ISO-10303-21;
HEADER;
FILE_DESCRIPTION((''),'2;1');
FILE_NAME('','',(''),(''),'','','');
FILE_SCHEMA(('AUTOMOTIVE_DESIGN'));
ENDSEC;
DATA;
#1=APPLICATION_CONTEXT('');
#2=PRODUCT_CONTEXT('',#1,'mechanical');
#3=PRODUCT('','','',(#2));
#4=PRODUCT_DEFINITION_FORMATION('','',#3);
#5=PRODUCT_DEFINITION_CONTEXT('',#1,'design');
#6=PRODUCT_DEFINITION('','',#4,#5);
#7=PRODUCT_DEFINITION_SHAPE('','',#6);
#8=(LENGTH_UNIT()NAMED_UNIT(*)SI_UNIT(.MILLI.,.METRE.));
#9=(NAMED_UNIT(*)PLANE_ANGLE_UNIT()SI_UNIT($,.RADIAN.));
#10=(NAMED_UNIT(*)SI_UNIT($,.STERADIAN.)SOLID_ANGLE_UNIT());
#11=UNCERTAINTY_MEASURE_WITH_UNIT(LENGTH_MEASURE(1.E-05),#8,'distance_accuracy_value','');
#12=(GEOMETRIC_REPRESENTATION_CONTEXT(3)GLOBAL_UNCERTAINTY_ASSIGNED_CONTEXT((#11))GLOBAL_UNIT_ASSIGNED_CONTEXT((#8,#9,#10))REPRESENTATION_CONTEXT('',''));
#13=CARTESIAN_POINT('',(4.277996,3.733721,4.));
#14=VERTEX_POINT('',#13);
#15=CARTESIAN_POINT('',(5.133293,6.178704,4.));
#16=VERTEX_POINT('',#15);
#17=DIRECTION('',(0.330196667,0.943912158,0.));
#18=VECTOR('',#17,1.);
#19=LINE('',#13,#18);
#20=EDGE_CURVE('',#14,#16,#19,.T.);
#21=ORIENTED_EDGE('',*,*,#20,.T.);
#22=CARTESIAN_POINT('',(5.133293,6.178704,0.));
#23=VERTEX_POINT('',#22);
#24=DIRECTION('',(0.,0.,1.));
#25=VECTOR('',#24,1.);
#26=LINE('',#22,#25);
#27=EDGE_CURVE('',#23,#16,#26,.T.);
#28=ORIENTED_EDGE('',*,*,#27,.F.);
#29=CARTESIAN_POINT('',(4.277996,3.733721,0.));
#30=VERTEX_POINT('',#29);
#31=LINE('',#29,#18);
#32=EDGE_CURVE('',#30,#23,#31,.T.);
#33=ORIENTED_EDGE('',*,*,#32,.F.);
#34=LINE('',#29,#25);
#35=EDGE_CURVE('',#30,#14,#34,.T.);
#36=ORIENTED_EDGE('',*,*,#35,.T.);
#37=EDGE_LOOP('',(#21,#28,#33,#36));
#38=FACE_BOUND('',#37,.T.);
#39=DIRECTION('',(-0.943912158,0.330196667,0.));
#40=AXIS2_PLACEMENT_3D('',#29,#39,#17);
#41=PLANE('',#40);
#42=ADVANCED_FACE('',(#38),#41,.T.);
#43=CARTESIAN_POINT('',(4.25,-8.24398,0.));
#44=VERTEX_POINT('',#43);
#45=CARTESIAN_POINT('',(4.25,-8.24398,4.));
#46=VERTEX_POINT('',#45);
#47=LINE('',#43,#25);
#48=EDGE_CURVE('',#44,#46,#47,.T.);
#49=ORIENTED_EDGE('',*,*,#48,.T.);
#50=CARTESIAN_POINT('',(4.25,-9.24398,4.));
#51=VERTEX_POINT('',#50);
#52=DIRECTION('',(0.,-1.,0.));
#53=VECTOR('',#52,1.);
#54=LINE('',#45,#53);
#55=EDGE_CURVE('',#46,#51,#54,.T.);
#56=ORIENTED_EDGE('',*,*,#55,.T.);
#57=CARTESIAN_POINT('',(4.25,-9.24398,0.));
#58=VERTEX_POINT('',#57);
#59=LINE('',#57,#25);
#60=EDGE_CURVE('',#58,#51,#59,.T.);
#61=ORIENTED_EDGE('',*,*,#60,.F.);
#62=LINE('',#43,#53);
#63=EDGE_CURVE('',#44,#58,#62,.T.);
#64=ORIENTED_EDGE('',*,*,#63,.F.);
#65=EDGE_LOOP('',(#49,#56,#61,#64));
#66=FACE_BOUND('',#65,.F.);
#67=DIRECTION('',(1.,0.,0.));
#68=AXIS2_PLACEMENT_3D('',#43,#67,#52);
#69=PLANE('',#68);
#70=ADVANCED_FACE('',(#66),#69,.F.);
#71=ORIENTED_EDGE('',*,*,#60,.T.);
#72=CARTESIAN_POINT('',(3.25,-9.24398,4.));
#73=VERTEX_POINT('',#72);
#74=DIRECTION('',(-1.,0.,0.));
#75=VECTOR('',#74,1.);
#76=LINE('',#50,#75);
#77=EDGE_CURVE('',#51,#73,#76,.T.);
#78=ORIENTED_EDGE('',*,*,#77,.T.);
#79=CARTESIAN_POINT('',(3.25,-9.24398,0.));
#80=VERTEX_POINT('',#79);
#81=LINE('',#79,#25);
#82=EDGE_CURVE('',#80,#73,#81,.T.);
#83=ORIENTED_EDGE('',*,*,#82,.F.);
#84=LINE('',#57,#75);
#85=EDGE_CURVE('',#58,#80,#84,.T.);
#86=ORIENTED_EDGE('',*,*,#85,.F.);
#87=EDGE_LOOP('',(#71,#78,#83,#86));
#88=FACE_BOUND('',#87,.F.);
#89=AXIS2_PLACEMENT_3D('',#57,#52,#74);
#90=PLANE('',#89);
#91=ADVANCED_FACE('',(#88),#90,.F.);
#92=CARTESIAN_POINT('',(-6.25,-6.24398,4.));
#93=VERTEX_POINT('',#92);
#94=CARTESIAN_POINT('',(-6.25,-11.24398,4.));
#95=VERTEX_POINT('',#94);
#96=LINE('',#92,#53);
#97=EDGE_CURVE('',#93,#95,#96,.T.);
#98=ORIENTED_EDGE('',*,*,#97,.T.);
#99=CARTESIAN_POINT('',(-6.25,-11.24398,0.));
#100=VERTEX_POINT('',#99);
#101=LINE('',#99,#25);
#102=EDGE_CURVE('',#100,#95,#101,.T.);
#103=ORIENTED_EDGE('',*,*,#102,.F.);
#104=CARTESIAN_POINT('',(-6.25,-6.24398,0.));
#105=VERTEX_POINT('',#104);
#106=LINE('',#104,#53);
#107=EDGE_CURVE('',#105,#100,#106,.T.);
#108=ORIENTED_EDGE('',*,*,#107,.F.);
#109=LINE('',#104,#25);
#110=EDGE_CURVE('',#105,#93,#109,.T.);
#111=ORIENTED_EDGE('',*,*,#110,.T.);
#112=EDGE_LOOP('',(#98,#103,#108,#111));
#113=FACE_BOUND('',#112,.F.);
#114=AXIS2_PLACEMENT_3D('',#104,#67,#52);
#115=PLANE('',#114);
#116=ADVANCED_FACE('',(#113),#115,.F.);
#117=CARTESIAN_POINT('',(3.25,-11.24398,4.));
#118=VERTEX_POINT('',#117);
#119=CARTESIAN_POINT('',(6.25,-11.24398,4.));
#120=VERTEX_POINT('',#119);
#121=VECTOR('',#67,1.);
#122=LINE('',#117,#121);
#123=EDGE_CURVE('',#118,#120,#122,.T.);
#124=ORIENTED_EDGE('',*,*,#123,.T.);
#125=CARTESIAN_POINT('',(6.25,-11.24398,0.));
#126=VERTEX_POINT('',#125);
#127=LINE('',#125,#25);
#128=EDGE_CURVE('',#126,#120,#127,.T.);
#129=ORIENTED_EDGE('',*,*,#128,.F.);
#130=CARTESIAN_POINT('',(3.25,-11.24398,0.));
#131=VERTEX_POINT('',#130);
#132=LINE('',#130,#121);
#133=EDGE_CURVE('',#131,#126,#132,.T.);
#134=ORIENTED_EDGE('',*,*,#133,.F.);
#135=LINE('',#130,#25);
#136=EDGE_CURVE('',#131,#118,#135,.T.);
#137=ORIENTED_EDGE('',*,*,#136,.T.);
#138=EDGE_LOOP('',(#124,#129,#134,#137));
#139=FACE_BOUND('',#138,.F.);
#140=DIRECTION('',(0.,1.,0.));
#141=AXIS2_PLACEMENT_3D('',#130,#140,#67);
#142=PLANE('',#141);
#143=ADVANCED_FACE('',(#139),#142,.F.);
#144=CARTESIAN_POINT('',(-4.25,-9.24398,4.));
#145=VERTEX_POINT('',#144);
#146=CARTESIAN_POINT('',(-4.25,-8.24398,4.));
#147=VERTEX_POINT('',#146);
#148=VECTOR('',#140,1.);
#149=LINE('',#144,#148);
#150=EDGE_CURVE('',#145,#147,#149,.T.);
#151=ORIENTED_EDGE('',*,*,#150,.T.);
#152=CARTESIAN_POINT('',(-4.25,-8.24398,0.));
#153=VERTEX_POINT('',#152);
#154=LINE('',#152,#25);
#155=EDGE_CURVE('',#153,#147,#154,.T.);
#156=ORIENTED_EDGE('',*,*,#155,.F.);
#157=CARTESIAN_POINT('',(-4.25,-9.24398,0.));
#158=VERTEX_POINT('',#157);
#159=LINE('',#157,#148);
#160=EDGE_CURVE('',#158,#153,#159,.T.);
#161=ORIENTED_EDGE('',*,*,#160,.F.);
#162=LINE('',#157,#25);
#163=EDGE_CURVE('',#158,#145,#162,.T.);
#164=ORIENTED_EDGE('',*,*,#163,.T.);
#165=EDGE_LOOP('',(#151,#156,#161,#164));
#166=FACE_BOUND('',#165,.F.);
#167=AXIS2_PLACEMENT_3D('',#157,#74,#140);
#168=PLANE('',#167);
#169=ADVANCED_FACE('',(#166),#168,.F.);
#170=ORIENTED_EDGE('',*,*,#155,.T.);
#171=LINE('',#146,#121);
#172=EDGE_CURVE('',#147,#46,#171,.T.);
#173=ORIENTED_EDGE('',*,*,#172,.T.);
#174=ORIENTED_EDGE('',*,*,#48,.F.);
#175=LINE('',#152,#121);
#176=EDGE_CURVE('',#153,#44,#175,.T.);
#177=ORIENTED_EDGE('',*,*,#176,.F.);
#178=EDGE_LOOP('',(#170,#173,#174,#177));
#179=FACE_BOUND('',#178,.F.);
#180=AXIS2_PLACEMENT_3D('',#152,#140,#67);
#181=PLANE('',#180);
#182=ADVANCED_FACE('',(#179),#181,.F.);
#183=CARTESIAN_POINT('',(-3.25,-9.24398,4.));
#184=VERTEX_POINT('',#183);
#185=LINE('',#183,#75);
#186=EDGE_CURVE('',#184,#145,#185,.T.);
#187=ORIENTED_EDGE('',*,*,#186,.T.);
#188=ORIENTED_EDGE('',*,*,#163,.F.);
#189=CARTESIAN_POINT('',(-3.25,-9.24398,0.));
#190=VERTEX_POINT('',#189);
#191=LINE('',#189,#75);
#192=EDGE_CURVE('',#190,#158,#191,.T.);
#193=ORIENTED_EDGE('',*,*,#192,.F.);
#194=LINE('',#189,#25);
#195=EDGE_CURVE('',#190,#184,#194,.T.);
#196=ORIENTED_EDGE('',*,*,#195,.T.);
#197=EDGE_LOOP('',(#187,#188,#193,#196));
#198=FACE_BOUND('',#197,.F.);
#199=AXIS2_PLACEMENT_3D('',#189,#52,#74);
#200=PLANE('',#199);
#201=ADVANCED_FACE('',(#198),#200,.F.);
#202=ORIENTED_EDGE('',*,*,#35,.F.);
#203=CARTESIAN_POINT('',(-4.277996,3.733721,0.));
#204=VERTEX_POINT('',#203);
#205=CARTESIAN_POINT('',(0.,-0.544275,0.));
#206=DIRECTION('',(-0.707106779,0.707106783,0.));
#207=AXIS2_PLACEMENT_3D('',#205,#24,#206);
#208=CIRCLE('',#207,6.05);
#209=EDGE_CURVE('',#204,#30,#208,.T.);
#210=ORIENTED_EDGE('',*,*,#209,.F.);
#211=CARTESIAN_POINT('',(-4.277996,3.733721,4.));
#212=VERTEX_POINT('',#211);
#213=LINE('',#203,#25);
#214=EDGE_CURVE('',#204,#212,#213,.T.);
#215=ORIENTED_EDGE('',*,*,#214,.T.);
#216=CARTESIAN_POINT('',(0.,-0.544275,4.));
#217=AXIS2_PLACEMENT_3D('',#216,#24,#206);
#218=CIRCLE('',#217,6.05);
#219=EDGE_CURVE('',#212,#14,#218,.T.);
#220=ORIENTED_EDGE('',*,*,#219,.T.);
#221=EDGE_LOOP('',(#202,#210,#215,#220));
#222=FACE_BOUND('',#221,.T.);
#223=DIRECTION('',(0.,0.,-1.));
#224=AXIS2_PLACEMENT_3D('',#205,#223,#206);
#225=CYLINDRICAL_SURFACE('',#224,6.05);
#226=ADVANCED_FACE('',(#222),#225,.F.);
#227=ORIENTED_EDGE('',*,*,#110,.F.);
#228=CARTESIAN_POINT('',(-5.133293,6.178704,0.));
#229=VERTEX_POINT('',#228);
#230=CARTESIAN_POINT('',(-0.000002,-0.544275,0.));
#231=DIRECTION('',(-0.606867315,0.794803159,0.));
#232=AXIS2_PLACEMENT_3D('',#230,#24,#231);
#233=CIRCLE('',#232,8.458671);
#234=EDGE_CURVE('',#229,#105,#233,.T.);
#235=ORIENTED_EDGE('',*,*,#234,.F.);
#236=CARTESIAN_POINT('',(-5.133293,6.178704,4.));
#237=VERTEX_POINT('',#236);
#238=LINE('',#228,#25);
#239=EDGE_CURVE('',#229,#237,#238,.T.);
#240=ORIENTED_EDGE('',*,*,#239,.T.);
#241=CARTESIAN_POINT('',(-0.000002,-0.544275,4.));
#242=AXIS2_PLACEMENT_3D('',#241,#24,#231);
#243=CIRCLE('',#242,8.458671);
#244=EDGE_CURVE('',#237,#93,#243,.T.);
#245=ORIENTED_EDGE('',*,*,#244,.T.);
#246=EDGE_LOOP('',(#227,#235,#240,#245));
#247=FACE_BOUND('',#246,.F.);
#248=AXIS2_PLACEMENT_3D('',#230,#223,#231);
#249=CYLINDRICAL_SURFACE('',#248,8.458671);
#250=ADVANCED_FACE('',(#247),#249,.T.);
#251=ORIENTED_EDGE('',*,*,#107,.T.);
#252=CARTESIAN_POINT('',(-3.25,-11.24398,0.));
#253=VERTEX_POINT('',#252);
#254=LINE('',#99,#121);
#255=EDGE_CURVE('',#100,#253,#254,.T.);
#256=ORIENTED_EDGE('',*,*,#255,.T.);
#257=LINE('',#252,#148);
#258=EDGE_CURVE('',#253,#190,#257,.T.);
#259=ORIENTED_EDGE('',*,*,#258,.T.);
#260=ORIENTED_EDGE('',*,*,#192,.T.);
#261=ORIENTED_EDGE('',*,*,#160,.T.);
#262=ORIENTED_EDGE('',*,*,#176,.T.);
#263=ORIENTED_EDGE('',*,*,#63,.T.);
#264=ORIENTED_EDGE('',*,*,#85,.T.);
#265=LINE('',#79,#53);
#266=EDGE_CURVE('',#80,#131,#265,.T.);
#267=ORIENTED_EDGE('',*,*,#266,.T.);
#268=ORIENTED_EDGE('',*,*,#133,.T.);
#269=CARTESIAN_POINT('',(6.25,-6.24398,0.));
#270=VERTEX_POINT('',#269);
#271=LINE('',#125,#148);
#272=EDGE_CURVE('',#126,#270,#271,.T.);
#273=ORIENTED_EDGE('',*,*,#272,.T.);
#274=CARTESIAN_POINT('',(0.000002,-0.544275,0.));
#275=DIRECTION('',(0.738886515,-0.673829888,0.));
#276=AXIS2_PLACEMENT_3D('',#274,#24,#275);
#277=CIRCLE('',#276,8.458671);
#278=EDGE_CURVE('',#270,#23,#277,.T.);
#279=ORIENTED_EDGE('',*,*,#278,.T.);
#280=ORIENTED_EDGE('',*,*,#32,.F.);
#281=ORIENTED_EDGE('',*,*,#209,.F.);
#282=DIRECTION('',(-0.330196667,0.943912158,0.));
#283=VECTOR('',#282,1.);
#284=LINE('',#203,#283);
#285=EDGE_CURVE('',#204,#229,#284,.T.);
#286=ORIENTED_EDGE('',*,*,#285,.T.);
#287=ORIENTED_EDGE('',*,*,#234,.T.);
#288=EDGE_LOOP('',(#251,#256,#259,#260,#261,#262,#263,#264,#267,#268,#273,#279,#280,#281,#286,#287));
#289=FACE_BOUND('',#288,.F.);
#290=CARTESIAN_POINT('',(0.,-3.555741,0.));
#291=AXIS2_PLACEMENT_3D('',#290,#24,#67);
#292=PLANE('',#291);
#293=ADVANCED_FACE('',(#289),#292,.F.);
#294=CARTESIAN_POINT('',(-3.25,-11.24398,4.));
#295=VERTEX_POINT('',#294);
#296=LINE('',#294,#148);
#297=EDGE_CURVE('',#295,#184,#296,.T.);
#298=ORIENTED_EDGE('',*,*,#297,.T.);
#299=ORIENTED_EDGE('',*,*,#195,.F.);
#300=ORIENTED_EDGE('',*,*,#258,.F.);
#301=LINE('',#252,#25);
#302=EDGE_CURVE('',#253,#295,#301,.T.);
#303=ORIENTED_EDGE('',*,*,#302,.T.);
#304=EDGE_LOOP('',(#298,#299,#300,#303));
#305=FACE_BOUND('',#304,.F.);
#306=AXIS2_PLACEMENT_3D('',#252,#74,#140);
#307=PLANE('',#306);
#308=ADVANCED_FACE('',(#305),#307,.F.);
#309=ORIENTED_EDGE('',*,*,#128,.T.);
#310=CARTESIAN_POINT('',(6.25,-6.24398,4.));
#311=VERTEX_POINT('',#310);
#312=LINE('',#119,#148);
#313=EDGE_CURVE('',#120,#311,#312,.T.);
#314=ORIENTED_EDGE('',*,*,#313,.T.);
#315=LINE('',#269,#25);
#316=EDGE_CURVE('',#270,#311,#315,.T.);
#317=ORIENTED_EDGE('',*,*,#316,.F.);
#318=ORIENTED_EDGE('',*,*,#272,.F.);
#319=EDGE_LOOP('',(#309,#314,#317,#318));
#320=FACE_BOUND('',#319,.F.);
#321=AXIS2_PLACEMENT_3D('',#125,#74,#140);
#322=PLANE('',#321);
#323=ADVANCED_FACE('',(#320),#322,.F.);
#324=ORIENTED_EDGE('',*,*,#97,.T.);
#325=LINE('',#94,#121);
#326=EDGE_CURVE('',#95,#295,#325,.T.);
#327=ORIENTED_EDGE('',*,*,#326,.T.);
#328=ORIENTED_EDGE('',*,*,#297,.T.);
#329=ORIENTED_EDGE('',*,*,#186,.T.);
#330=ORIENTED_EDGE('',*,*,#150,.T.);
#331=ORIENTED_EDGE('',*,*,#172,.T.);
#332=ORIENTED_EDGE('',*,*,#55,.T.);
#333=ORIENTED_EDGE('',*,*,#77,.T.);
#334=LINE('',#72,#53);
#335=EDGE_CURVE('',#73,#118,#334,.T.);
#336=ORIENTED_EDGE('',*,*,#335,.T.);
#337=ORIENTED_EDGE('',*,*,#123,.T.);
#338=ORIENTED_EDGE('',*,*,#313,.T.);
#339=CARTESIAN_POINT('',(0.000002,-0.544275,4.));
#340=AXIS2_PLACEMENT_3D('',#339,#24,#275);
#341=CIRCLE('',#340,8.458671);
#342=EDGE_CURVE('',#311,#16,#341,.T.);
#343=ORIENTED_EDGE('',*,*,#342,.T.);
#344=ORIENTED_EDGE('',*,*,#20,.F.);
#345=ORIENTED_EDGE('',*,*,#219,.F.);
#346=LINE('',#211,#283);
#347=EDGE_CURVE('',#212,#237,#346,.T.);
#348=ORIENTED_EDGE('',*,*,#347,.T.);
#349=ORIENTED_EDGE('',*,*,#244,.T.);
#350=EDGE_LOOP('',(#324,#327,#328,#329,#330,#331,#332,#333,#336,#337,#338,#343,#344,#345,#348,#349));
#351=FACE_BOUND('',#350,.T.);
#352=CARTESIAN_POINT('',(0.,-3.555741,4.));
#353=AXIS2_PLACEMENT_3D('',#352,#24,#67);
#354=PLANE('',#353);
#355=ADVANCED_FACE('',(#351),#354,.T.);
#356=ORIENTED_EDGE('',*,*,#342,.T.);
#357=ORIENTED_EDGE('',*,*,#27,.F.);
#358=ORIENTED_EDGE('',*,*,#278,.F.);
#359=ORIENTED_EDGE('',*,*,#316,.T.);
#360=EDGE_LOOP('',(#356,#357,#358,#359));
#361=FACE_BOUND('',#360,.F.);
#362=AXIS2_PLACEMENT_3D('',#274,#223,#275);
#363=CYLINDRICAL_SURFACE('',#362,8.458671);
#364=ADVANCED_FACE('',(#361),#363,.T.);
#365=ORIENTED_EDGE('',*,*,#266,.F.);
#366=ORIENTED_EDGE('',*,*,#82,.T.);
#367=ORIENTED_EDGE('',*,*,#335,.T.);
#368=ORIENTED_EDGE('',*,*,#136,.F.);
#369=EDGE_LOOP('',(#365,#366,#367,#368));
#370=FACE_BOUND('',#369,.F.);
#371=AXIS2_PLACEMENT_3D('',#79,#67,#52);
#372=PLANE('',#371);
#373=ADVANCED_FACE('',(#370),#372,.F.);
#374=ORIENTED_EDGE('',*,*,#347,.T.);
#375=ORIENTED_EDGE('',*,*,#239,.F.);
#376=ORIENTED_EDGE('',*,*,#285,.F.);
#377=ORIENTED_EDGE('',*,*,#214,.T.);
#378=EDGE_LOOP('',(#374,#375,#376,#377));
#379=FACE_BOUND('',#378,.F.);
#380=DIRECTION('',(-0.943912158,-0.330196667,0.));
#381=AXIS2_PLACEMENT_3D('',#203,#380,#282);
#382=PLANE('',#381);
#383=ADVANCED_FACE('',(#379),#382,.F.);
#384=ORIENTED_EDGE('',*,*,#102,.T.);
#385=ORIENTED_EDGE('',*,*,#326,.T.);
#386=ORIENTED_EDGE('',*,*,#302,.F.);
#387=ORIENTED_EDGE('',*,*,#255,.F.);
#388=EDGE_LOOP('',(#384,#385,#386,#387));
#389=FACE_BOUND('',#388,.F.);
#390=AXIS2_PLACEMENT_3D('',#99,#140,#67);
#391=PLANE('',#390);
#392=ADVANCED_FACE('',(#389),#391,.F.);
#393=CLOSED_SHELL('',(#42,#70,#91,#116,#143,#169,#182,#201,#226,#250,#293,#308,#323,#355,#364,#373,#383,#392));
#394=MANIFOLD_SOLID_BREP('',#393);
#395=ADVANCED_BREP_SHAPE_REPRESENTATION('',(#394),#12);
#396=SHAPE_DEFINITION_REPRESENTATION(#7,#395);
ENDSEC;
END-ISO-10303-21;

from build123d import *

# Parameters (mm, degrees)
PAD_DEPTH = 4


with BuildPart() as part:
    # Sketch → Pad (new body)
    with BuildSketch(Plane.XY):
        with BuildLine():
            Line((-6.25, -6.24398), (-6.25, -11.24398))
            Line((-6.25, -11.24398), (-3.25, -11.24398))
            Line((-3.25, -11.24398), (-3.25, -9.24398))
            Line((-3.25, -9.24398), (-4.25, -9.24398))
            Line((-4.25, -9.24398), (-4.25, -8.24398))
            Line((-4.25, -8.24398), (4.25, -8.24398))
            Line((4.25, -8.24398), (4.25, -9.24398))
            Line((4.25, -9.24398), (3.25, -9.24398))
            Line((3.25, -9.24398), (3.25, -11.24398))
            Line((3.25, -11.24398), (6.25, -11.24398))
            Line((6.25, -11.24398), (6.25, -6.24398))
            ThreePointArc((6.25, -6.24398), (8.424703, 0.213043), (5.133293, 6.178704))
            Line((4.277996, 3.733721), (5.133293, 6.178704))
            ThreePointArc((-4.277996, 3.733721), (0, -6.594275), (4.277996, 3.733721))
            Line((-4.277996, 3.733721), (-5.133293, 6.178704))
            ThreePointArc((-5.133293, 6.178704), (-8.424703, 0.213043), (-6.25, -6.24398))
        make_face()
    extrude(amount=PAD_DEPTH)


solid = part.part
